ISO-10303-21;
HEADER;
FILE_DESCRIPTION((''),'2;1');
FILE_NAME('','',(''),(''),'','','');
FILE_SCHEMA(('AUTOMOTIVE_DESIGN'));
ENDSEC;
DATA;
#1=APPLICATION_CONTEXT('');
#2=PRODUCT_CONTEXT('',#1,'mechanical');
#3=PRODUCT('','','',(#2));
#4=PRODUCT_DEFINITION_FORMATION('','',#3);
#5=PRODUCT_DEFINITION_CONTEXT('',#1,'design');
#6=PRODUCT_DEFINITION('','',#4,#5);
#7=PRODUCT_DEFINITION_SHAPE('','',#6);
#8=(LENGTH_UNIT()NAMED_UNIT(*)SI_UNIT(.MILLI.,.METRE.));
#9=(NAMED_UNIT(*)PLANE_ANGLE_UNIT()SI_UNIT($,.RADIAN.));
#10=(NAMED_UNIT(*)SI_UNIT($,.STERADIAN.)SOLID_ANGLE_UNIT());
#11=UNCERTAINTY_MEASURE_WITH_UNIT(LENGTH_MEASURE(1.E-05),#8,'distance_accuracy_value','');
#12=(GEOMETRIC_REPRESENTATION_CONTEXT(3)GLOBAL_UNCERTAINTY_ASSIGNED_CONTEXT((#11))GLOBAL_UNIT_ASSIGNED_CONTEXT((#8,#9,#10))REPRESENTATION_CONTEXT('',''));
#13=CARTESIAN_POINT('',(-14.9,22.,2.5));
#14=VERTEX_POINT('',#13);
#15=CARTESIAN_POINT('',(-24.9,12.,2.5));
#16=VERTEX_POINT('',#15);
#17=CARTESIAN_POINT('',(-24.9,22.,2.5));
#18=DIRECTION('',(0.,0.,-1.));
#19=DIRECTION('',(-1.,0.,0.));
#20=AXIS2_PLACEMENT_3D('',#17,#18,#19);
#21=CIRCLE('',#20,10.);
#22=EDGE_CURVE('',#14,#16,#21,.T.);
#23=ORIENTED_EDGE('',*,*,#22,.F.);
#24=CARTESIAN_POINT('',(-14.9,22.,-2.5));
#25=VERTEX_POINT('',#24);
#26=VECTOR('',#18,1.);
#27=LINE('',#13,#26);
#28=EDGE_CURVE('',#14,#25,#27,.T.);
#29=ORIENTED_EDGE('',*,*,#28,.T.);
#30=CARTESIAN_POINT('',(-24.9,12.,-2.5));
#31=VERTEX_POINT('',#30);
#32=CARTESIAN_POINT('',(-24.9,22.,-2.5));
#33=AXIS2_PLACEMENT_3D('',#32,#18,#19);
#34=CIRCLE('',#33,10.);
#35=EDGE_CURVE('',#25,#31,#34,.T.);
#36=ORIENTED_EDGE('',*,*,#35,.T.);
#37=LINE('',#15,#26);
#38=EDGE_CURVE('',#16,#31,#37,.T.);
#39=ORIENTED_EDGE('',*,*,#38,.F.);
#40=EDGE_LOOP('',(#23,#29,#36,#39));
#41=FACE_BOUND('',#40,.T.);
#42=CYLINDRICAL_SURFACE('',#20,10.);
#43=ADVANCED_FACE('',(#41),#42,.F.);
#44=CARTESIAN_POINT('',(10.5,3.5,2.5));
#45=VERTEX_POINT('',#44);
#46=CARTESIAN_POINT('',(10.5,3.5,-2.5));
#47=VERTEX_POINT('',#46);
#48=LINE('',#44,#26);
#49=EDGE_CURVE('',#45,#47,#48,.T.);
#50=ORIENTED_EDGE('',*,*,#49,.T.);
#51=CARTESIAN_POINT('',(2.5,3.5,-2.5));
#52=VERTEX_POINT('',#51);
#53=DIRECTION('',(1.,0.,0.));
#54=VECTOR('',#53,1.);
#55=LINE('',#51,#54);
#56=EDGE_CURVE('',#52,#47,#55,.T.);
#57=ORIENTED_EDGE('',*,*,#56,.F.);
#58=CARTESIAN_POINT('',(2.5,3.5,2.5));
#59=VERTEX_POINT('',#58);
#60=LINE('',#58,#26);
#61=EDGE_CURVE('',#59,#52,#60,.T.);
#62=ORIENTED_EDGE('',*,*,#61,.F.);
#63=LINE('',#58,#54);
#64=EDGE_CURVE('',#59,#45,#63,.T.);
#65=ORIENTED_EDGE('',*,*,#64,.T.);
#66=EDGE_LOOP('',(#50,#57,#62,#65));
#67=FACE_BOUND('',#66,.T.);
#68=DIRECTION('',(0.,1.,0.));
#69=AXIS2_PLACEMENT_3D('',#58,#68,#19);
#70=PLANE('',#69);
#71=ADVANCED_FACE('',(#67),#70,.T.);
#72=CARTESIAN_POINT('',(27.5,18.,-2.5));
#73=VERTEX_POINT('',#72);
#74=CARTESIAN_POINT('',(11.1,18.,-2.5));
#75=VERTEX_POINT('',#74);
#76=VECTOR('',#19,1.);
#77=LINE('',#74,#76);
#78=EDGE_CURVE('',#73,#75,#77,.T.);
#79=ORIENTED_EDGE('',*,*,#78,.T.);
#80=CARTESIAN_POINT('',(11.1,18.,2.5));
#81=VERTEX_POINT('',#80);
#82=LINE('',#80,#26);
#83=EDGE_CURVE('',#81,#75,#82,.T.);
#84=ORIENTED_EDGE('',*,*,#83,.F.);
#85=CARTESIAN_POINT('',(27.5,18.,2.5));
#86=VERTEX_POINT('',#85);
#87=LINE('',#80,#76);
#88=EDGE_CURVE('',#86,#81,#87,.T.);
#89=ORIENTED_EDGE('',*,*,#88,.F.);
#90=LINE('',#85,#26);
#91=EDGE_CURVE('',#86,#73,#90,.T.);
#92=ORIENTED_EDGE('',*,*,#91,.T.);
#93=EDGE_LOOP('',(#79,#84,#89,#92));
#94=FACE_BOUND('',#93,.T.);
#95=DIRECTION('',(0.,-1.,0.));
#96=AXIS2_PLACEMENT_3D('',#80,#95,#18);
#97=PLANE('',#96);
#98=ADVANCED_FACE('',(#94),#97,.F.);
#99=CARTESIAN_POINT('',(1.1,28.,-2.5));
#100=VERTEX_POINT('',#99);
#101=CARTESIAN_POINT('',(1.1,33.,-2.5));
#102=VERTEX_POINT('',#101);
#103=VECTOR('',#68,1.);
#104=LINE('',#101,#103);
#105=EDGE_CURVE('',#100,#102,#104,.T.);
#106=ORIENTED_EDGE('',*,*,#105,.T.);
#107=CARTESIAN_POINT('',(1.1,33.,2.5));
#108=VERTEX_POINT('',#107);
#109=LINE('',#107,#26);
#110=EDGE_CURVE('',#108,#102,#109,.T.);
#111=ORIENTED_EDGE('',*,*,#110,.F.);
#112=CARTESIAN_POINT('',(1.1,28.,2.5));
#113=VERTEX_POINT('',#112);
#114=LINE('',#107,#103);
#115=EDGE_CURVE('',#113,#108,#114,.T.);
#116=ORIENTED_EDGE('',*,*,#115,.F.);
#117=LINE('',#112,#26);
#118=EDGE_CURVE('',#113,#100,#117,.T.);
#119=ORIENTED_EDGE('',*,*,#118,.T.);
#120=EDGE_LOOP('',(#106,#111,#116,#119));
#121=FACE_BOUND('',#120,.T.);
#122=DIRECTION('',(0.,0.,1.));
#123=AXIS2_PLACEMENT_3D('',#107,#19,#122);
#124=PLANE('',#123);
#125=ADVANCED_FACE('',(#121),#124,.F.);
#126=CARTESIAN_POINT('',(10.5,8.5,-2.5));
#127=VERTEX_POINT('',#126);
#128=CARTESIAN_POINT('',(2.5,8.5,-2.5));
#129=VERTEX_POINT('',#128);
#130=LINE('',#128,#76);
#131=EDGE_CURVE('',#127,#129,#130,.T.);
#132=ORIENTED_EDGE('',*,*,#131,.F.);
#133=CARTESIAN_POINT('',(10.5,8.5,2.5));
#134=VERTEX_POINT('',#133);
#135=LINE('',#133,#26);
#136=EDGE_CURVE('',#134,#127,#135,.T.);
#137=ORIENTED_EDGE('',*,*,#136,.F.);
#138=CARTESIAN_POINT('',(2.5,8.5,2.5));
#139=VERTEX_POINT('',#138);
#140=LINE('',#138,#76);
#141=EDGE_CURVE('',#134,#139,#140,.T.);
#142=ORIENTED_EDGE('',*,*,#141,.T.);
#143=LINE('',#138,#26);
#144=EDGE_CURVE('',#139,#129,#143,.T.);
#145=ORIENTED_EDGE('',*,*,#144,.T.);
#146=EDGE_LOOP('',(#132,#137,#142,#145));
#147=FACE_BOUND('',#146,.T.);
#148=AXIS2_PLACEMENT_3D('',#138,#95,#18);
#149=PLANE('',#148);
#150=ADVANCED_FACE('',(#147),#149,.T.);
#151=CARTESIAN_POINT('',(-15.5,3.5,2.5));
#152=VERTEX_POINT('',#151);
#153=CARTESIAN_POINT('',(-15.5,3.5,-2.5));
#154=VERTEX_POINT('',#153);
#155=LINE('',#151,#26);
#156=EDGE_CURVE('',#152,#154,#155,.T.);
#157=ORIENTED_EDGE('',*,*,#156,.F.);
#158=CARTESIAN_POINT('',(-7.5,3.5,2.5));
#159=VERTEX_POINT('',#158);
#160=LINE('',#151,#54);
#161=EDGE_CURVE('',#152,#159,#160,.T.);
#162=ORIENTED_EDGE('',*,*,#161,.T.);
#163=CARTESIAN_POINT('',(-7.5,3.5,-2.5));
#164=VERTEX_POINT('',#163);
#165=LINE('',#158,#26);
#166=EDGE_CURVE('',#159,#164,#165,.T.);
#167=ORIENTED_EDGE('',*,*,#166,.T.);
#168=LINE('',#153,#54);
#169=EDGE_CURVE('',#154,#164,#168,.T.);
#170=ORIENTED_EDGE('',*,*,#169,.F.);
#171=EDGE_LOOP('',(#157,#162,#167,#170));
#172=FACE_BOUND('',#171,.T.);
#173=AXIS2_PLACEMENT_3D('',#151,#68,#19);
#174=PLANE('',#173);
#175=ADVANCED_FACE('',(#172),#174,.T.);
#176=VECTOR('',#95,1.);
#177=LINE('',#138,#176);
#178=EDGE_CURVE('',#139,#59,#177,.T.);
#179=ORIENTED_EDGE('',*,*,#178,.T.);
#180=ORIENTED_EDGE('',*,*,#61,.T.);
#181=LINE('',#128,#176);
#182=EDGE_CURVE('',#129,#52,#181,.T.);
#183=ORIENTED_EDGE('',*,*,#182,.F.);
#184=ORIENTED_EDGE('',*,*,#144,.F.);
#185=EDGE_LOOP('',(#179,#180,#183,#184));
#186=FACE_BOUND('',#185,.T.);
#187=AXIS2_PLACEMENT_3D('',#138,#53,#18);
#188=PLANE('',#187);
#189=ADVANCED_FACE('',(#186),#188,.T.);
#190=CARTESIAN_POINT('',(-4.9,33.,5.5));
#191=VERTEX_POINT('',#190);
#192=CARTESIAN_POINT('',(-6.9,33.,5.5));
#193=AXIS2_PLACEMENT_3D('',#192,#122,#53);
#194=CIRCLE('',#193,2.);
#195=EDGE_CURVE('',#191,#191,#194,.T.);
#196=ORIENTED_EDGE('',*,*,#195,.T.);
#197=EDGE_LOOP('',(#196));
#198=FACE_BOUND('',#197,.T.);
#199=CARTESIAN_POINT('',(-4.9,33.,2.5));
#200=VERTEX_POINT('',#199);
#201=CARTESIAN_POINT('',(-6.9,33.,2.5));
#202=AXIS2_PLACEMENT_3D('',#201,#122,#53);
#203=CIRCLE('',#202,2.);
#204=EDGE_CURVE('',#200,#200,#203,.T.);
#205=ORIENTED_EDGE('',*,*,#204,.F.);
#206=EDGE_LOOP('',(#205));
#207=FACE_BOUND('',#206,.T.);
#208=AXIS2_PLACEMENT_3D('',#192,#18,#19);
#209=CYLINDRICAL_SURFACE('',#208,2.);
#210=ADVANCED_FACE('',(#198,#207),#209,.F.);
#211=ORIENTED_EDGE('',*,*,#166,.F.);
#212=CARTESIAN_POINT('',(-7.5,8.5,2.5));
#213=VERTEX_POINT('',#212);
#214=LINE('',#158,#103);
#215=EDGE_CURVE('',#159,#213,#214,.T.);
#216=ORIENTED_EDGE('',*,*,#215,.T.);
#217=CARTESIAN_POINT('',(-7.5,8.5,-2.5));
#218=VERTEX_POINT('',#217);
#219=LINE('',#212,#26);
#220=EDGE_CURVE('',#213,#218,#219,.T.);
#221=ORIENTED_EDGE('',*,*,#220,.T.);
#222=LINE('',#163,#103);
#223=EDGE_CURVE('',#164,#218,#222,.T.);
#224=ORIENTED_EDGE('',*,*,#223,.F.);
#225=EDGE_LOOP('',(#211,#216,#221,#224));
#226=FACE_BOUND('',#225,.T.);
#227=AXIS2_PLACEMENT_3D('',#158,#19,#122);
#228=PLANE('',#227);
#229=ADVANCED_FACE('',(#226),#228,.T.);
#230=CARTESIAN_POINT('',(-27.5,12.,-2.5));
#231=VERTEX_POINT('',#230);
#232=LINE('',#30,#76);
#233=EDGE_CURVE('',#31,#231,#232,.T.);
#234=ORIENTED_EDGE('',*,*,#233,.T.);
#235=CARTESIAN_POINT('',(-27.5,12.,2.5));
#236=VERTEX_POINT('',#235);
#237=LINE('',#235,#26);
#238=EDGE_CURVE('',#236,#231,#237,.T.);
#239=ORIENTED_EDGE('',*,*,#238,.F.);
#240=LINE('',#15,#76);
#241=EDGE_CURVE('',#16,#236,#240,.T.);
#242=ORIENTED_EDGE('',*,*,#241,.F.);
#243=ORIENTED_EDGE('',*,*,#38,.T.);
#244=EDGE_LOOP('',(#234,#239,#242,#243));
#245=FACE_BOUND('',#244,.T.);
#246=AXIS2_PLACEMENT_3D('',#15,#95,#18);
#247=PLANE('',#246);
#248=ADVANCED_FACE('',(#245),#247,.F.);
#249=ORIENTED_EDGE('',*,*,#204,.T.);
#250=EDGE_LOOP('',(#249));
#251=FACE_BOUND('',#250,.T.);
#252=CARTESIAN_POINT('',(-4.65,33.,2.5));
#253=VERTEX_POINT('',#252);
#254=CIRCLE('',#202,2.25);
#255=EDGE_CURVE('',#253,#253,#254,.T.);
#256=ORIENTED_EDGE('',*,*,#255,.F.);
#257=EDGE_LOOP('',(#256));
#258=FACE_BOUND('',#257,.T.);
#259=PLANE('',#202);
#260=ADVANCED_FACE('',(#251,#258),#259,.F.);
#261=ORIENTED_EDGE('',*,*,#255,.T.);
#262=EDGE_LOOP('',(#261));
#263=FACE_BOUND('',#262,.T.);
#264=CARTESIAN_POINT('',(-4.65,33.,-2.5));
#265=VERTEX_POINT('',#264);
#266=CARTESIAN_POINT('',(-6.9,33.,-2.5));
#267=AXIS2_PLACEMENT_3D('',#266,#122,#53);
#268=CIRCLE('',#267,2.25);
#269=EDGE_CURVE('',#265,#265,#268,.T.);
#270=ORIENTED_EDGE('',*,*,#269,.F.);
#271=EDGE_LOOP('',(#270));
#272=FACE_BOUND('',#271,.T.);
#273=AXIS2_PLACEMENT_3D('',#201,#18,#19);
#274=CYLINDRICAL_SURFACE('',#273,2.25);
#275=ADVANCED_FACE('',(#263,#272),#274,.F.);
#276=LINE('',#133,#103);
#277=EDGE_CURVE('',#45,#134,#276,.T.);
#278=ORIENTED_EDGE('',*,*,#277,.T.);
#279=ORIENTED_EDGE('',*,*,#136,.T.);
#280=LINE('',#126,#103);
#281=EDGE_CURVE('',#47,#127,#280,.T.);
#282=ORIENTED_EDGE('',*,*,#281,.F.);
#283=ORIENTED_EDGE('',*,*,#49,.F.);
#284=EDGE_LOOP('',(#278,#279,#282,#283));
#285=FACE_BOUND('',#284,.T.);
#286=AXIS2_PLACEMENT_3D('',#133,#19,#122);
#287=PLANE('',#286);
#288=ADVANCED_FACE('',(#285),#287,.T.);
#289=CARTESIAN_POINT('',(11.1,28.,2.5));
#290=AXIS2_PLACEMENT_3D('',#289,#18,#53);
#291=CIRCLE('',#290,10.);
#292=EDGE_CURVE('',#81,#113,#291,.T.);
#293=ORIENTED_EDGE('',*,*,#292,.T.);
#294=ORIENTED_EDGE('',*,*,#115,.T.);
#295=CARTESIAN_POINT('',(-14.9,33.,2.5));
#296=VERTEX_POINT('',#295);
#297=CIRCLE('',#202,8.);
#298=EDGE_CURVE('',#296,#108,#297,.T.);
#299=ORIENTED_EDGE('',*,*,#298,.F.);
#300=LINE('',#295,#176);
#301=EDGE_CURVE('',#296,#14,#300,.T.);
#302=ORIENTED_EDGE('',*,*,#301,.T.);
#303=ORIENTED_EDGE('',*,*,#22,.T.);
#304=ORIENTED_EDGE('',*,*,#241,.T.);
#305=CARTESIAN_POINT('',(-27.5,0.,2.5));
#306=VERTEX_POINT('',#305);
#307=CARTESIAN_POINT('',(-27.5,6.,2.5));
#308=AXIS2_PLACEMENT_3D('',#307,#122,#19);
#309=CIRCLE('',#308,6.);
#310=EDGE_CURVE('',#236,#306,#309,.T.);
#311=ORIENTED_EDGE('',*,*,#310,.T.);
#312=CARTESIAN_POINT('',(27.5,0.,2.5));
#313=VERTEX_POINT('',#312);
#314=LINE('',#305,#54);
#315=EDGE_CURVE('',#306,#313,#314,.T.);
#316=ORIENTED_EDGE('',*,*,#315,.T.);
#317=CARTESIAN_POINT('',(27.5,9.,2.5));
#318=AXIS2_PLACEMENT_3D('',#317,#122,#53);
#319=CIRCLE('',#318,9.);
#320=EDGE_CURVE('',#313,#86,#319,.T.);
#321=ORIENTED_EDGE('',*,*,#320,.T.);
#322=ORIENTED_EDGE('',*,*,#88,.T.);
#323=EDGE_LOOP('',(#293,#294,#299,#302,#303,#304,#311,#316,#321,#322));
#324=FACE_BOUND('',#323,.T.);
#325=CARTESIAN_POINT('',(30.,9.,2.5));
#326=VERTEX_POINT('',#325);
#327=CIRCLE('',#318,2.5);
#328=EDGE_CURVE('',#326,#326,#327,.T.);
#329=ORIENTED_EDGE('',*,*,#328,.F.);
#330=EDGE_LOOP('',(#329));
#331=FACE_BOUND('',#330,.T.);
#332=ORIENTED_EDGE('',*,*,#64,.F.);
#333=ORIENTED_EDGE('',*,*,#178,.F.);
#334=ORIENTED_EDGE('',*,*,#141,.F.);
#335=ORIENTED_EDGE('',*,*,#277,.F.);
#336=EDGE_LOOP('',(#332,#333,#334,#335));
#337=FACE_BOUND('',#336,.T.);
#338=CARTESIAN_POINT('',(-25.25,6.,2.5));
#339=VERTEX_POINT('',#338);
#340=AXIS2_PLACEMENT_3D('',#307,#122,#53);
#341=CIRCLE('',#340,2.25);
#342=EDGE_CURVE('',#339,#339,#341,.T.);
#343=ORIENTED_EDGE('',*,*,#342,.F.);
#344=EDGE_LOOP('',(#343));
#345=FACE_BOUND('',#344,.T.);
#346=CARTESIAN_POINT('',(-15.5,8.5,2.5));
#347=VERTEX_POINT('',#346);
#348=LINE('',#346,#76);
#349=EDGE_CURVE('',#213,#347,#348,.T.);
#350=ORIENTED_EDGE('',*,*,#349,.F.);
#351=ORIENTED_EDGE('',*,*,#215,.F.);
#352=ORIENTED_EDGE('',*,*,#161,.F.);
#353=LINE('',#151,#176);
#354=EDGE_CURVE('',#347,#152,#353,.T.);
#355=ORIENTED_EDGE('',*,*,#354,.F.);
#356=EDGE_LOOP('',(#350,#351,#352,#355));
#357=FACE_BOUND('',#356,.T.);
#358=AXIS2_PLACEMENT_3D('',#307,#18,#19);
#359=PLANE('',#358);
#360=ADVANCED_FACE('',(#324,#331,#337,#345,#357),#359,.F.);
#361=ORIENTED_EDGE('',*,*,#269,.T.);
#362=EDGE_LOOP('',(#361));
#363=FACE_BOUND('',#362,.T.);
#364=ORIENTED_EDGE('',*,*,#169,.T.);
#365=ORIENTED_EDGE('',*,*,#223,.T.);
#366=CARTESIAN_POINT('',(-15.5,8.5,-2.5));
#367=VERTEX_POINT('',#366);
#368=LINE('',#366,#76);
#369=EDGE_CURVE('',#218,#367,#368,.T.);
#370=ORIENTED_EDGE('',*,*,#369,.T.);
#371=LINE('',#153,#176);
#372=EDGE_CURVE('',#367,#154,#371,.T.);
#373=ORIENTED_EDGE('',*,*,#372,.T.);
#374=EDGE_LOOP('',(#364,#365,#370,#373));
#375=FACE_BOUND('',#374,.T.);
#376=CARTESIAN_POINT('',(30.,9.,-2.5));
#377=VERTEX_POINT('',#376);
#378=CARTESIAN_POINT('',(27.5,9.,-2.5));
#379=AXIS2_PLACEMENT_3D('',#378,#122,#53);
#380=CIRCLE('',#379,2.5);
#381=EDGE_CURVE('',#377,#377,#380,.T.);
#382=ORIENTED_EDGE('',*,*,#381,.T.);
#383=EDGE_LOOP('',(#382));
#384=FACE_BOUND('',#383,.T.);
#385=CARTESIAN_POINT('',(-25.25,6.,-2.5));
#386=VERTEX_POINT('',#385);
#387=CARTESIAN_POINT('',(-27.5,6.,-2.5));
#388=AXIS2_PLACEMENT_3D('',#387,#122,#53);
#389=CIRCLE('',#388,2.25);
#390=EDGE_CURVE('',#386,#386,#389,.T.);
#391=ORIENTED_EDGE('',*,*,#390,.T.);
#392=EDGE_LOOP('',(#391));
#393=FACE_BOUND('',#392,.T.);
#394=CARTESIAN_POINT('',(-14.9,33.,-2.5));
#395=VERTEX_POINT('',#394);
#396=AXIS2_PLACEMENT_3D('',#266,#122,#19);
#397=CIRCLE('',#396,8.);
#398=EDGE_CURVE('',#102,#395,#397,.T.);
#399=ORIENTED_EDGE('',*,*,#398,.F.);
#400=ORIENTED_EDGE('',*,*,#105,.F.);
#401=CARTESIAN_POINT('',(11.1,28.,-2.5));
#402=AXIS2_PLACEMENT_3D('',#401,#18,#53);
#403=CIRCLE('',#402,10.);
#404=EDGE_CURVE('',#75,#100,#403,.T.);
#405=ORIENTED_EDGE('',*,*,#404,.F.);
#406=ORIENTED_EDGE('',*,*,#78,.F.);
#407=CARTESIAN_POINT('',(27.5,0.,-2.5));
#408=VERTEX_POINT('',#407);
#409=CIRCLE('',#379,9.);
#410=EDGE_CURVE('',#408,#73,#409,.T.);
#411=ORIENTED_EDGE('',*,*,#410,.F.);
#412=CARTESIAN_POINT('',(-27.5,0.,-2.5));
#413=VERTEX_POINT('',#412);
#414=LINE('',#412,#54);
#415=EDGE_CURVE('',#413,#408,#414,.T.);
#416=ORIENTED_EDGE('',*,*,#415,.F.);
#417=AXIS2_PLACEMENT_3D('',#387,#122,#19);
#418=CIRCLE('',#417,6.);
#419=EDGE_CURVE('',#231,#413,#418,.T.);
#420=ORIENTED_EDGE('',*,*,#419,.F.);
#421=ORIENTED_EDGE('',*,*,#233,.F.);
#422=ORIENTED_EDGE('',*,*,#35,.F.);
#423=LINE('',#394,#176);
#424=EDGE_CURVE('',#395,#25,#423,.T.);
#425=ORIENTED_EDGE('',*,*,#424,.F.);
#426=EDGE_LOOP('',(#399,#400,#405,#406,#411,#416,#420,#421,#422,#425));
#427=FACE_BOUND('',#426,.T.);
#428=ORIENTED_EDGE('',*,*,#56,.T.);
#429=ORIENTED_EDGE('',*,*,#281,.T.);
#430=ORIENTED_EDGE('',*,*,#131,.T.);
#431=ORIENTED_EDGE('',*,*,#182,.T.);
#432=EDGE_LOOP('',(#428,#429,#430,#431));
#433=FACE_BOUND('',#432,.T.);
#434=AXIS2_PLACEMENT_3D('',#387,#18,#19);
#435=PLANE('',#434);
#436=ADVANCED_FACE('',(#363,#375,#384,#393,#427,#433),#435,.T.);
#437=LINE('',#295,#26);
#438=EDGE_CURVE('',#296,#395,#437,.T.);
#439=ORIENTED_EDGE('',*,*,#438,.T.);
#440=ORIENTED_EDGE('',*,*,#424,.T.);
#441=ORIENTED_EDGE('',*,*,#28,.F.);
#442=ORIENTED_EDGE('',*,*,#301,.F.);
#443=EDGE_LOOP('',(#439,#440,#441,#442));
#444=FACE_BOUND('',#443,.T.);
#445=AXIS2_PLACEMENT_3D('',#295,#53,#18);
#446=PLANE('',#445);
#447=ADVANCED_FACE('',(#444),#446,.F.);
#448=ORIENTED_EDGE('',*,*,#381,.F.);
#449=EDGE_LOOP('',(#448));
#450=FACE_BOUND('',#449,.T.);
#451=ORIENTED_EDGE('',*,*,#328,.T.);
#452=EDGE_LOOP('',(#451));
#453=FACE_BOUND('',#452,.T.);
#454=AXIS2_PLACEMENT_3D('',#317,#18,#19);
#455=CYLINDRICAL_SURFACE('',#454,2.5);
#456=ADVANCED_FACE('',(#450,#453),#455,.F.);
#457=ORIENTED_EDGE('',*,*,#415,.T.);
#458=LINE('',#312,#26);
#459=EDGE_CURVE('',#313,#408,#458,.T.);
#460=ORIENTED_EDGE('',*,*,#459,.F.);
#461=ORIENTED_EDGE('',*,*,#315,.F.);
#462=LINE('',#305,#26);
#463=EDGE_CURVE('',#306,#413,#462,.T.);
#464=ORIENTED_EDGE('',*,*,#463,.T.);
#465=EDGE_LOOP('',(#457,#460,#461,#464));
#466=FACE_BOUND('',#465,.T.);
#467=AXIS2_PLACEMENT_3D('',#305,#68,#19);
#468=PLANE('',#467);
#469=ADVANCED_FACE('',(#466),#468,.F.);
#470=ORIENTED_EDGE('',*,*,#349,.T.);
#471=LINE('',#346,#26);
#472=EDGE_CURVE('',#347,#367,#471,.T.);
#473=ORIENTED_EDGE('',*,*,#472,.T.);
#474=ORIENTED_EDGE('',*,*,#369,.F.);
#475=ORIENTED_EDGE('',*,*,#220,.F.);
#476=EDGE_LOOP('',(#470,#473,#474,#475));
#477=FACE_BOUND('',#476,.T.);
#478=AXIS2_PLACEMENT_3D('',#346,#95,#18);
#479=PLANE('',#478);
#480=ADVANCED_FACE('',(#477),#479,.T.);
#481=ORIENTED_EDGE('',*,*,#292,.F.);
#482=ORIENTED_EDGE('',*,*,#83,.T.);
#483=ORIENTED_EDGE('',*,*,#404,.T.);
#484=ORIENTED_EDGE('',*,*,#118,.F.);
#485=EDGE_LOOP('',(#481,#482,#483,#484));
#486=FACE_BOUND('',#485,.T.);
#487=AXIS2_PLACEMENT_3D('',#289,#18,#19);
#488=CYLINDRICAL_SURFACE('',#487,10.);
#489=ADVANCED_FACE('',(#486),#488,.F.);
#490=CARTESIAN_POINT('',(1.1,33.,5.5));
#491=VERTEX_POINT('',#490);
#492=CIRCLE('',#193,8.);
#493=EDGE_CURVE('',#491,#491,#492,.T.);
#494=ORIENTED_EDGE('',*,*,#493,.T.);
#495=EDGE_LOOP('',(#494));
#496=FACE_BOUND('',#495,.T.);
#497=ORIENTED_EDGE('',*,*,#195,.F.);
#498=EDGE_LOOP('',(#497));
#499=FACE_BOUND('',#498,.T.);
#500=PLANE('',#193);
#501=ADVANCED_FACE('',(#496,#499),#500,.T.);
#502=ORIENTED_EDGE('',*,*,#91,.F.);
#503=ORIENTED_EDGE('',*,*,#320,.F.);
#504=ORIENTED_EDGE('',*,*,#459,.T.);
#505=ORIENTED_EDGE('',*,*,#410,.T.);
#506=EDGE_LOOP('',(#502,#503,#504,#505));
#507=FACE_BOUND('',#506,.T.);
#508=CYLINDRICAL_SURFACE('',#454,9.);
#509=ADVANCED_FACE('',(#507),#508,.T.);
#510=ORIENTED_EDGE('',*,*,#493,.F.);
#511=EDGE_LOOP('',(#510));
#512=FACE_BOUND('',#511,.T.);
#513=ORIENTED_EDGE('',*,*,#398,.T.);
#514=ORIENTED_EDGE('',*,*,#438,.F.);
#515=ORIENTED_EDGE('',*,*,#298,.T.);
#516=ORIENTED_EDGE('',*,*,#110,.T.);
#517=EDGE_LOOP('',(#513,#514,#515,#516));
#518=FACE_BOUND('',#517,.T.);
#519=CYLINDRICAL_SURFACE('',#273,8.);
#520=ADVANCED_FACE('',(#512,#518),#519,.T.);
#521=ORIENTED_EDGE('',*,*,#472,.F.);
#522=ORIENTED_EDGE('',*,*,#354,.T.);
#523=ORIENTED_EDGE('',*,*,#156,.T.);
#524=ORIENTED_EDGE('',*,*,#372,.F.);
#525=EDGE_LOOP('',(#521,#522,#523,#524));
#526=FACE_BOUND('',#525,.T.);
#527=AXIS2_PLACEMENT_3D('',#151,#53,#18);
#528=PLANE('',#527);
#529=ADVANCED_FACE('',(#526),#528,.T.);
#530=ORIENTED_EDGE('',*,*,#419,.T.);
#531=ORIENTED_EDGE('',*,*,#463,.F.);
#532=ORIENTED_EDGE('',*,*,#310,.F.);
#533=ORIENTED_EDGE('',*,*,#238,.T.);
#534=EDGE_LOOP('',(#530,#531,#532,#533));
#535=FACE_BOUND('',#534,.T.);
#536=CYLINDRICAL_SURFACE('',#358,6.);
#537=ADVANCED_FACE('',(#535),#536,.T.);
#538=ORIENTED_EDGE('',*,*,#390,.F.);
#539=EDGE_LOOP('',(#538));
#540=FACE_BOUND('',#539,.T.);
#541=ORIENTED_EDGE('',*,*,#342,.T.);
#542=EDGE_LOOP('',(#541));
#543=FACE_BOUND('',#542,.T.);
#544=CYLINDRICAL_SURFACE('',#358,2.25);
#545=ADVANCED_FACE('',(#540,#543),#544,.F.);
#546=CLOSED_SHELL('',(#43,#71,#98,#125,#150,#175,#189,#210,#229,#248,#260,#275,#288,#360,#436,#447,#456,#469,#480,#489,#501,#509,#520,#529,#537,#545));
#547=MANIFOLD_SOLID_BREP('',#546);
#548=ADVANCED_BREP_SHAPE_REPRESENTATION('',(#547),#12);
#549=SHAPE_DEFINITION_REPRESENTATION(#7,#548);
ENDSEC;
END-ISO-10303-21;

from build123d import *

# Parameters (mm, degrees)
SKETCH1_R           = 2.5
SKETCH1_R_2         = 2.25
SKETCH1_W           = 8
SKETCH1_H           = 5
BOSS_EXTRUDE1_DEPTH = 2.5
EXTRUDE_START       = 3
SKETCH_2_R          = 8
SKETCH_2_R_2        = 2
EXTRUDE_1_DEPTH     = 3


with BuildPart() as part:
    # Sketch1 → Boss-Extrude1 (new, symmetric)
    with BuildSketch(Plane.XY):
        with BuildLine():
            Line((-27.5, 0), (27.5, 0))
            ThreePointArc((27.5, 0), (36.5, 9), (27.5, 18))
            Line((27.5, 18), (11.1, 18))
            ThreePointArc((11.1, 18), (4.028932188, 20.928932188), (1.1, 28))
            Line((1.1, 28), (1.1, 33))
            ThreePointArc((1.1, 33), (-6.9, 41), (-14.9, 33))
            Line((-14.9, 33), (-14.9, 22))
            ThreePointArc((-14.9, 22), (-17.828932188, 14.928932188), (-24.9, 12))
            Line((-24.9, 12), (-27.5, 12))
            ThreePointArc((-27.5, 12), (-33.5, 6), (-27.5, 0))
        make_face()
        with Locations((27.5, 9)):
            Circle(SKETCH1_R, mode=Mode.SUBTRACT)
        with Locations((-27.5, 6)):
            Circle(SKETCH1_R_2, mode=Mode.SUBTRACT)
        with Locations((-6.9, 33)):
            Circle(SKETCH1_R_2, mode=Mode.SUBTRACT)
        with Locations((-11.5, 6)):
            Rectangle(SKETCH1_W, SKETCH1_H, mode=Mode.SUBTRACT)
        with Locations((6.5, 6)):
            Rectangle(SKETCH1_W, SKETCH1_H, mode=Mode.SUBTRACT)
    extrude(amount=BOSS_EXTRUDE1_DEPTH, both=True)

    # 草图2 → 凸台-拉伸1 (add)
    with BuildSketch(Plane.XY.offset(2.5).offset(EXTRUDE_START)):
        with Locations((-6.9, 33)):
            Circle(SKETCH_2_R)
        with Locations((-6.9, 33)):
            Circle(SKETCH_2_R_2, mode=Mode.SUBTRACT)
    extrude(amount=-EXTRUDE_1_DEPTH)


solid = part.part
